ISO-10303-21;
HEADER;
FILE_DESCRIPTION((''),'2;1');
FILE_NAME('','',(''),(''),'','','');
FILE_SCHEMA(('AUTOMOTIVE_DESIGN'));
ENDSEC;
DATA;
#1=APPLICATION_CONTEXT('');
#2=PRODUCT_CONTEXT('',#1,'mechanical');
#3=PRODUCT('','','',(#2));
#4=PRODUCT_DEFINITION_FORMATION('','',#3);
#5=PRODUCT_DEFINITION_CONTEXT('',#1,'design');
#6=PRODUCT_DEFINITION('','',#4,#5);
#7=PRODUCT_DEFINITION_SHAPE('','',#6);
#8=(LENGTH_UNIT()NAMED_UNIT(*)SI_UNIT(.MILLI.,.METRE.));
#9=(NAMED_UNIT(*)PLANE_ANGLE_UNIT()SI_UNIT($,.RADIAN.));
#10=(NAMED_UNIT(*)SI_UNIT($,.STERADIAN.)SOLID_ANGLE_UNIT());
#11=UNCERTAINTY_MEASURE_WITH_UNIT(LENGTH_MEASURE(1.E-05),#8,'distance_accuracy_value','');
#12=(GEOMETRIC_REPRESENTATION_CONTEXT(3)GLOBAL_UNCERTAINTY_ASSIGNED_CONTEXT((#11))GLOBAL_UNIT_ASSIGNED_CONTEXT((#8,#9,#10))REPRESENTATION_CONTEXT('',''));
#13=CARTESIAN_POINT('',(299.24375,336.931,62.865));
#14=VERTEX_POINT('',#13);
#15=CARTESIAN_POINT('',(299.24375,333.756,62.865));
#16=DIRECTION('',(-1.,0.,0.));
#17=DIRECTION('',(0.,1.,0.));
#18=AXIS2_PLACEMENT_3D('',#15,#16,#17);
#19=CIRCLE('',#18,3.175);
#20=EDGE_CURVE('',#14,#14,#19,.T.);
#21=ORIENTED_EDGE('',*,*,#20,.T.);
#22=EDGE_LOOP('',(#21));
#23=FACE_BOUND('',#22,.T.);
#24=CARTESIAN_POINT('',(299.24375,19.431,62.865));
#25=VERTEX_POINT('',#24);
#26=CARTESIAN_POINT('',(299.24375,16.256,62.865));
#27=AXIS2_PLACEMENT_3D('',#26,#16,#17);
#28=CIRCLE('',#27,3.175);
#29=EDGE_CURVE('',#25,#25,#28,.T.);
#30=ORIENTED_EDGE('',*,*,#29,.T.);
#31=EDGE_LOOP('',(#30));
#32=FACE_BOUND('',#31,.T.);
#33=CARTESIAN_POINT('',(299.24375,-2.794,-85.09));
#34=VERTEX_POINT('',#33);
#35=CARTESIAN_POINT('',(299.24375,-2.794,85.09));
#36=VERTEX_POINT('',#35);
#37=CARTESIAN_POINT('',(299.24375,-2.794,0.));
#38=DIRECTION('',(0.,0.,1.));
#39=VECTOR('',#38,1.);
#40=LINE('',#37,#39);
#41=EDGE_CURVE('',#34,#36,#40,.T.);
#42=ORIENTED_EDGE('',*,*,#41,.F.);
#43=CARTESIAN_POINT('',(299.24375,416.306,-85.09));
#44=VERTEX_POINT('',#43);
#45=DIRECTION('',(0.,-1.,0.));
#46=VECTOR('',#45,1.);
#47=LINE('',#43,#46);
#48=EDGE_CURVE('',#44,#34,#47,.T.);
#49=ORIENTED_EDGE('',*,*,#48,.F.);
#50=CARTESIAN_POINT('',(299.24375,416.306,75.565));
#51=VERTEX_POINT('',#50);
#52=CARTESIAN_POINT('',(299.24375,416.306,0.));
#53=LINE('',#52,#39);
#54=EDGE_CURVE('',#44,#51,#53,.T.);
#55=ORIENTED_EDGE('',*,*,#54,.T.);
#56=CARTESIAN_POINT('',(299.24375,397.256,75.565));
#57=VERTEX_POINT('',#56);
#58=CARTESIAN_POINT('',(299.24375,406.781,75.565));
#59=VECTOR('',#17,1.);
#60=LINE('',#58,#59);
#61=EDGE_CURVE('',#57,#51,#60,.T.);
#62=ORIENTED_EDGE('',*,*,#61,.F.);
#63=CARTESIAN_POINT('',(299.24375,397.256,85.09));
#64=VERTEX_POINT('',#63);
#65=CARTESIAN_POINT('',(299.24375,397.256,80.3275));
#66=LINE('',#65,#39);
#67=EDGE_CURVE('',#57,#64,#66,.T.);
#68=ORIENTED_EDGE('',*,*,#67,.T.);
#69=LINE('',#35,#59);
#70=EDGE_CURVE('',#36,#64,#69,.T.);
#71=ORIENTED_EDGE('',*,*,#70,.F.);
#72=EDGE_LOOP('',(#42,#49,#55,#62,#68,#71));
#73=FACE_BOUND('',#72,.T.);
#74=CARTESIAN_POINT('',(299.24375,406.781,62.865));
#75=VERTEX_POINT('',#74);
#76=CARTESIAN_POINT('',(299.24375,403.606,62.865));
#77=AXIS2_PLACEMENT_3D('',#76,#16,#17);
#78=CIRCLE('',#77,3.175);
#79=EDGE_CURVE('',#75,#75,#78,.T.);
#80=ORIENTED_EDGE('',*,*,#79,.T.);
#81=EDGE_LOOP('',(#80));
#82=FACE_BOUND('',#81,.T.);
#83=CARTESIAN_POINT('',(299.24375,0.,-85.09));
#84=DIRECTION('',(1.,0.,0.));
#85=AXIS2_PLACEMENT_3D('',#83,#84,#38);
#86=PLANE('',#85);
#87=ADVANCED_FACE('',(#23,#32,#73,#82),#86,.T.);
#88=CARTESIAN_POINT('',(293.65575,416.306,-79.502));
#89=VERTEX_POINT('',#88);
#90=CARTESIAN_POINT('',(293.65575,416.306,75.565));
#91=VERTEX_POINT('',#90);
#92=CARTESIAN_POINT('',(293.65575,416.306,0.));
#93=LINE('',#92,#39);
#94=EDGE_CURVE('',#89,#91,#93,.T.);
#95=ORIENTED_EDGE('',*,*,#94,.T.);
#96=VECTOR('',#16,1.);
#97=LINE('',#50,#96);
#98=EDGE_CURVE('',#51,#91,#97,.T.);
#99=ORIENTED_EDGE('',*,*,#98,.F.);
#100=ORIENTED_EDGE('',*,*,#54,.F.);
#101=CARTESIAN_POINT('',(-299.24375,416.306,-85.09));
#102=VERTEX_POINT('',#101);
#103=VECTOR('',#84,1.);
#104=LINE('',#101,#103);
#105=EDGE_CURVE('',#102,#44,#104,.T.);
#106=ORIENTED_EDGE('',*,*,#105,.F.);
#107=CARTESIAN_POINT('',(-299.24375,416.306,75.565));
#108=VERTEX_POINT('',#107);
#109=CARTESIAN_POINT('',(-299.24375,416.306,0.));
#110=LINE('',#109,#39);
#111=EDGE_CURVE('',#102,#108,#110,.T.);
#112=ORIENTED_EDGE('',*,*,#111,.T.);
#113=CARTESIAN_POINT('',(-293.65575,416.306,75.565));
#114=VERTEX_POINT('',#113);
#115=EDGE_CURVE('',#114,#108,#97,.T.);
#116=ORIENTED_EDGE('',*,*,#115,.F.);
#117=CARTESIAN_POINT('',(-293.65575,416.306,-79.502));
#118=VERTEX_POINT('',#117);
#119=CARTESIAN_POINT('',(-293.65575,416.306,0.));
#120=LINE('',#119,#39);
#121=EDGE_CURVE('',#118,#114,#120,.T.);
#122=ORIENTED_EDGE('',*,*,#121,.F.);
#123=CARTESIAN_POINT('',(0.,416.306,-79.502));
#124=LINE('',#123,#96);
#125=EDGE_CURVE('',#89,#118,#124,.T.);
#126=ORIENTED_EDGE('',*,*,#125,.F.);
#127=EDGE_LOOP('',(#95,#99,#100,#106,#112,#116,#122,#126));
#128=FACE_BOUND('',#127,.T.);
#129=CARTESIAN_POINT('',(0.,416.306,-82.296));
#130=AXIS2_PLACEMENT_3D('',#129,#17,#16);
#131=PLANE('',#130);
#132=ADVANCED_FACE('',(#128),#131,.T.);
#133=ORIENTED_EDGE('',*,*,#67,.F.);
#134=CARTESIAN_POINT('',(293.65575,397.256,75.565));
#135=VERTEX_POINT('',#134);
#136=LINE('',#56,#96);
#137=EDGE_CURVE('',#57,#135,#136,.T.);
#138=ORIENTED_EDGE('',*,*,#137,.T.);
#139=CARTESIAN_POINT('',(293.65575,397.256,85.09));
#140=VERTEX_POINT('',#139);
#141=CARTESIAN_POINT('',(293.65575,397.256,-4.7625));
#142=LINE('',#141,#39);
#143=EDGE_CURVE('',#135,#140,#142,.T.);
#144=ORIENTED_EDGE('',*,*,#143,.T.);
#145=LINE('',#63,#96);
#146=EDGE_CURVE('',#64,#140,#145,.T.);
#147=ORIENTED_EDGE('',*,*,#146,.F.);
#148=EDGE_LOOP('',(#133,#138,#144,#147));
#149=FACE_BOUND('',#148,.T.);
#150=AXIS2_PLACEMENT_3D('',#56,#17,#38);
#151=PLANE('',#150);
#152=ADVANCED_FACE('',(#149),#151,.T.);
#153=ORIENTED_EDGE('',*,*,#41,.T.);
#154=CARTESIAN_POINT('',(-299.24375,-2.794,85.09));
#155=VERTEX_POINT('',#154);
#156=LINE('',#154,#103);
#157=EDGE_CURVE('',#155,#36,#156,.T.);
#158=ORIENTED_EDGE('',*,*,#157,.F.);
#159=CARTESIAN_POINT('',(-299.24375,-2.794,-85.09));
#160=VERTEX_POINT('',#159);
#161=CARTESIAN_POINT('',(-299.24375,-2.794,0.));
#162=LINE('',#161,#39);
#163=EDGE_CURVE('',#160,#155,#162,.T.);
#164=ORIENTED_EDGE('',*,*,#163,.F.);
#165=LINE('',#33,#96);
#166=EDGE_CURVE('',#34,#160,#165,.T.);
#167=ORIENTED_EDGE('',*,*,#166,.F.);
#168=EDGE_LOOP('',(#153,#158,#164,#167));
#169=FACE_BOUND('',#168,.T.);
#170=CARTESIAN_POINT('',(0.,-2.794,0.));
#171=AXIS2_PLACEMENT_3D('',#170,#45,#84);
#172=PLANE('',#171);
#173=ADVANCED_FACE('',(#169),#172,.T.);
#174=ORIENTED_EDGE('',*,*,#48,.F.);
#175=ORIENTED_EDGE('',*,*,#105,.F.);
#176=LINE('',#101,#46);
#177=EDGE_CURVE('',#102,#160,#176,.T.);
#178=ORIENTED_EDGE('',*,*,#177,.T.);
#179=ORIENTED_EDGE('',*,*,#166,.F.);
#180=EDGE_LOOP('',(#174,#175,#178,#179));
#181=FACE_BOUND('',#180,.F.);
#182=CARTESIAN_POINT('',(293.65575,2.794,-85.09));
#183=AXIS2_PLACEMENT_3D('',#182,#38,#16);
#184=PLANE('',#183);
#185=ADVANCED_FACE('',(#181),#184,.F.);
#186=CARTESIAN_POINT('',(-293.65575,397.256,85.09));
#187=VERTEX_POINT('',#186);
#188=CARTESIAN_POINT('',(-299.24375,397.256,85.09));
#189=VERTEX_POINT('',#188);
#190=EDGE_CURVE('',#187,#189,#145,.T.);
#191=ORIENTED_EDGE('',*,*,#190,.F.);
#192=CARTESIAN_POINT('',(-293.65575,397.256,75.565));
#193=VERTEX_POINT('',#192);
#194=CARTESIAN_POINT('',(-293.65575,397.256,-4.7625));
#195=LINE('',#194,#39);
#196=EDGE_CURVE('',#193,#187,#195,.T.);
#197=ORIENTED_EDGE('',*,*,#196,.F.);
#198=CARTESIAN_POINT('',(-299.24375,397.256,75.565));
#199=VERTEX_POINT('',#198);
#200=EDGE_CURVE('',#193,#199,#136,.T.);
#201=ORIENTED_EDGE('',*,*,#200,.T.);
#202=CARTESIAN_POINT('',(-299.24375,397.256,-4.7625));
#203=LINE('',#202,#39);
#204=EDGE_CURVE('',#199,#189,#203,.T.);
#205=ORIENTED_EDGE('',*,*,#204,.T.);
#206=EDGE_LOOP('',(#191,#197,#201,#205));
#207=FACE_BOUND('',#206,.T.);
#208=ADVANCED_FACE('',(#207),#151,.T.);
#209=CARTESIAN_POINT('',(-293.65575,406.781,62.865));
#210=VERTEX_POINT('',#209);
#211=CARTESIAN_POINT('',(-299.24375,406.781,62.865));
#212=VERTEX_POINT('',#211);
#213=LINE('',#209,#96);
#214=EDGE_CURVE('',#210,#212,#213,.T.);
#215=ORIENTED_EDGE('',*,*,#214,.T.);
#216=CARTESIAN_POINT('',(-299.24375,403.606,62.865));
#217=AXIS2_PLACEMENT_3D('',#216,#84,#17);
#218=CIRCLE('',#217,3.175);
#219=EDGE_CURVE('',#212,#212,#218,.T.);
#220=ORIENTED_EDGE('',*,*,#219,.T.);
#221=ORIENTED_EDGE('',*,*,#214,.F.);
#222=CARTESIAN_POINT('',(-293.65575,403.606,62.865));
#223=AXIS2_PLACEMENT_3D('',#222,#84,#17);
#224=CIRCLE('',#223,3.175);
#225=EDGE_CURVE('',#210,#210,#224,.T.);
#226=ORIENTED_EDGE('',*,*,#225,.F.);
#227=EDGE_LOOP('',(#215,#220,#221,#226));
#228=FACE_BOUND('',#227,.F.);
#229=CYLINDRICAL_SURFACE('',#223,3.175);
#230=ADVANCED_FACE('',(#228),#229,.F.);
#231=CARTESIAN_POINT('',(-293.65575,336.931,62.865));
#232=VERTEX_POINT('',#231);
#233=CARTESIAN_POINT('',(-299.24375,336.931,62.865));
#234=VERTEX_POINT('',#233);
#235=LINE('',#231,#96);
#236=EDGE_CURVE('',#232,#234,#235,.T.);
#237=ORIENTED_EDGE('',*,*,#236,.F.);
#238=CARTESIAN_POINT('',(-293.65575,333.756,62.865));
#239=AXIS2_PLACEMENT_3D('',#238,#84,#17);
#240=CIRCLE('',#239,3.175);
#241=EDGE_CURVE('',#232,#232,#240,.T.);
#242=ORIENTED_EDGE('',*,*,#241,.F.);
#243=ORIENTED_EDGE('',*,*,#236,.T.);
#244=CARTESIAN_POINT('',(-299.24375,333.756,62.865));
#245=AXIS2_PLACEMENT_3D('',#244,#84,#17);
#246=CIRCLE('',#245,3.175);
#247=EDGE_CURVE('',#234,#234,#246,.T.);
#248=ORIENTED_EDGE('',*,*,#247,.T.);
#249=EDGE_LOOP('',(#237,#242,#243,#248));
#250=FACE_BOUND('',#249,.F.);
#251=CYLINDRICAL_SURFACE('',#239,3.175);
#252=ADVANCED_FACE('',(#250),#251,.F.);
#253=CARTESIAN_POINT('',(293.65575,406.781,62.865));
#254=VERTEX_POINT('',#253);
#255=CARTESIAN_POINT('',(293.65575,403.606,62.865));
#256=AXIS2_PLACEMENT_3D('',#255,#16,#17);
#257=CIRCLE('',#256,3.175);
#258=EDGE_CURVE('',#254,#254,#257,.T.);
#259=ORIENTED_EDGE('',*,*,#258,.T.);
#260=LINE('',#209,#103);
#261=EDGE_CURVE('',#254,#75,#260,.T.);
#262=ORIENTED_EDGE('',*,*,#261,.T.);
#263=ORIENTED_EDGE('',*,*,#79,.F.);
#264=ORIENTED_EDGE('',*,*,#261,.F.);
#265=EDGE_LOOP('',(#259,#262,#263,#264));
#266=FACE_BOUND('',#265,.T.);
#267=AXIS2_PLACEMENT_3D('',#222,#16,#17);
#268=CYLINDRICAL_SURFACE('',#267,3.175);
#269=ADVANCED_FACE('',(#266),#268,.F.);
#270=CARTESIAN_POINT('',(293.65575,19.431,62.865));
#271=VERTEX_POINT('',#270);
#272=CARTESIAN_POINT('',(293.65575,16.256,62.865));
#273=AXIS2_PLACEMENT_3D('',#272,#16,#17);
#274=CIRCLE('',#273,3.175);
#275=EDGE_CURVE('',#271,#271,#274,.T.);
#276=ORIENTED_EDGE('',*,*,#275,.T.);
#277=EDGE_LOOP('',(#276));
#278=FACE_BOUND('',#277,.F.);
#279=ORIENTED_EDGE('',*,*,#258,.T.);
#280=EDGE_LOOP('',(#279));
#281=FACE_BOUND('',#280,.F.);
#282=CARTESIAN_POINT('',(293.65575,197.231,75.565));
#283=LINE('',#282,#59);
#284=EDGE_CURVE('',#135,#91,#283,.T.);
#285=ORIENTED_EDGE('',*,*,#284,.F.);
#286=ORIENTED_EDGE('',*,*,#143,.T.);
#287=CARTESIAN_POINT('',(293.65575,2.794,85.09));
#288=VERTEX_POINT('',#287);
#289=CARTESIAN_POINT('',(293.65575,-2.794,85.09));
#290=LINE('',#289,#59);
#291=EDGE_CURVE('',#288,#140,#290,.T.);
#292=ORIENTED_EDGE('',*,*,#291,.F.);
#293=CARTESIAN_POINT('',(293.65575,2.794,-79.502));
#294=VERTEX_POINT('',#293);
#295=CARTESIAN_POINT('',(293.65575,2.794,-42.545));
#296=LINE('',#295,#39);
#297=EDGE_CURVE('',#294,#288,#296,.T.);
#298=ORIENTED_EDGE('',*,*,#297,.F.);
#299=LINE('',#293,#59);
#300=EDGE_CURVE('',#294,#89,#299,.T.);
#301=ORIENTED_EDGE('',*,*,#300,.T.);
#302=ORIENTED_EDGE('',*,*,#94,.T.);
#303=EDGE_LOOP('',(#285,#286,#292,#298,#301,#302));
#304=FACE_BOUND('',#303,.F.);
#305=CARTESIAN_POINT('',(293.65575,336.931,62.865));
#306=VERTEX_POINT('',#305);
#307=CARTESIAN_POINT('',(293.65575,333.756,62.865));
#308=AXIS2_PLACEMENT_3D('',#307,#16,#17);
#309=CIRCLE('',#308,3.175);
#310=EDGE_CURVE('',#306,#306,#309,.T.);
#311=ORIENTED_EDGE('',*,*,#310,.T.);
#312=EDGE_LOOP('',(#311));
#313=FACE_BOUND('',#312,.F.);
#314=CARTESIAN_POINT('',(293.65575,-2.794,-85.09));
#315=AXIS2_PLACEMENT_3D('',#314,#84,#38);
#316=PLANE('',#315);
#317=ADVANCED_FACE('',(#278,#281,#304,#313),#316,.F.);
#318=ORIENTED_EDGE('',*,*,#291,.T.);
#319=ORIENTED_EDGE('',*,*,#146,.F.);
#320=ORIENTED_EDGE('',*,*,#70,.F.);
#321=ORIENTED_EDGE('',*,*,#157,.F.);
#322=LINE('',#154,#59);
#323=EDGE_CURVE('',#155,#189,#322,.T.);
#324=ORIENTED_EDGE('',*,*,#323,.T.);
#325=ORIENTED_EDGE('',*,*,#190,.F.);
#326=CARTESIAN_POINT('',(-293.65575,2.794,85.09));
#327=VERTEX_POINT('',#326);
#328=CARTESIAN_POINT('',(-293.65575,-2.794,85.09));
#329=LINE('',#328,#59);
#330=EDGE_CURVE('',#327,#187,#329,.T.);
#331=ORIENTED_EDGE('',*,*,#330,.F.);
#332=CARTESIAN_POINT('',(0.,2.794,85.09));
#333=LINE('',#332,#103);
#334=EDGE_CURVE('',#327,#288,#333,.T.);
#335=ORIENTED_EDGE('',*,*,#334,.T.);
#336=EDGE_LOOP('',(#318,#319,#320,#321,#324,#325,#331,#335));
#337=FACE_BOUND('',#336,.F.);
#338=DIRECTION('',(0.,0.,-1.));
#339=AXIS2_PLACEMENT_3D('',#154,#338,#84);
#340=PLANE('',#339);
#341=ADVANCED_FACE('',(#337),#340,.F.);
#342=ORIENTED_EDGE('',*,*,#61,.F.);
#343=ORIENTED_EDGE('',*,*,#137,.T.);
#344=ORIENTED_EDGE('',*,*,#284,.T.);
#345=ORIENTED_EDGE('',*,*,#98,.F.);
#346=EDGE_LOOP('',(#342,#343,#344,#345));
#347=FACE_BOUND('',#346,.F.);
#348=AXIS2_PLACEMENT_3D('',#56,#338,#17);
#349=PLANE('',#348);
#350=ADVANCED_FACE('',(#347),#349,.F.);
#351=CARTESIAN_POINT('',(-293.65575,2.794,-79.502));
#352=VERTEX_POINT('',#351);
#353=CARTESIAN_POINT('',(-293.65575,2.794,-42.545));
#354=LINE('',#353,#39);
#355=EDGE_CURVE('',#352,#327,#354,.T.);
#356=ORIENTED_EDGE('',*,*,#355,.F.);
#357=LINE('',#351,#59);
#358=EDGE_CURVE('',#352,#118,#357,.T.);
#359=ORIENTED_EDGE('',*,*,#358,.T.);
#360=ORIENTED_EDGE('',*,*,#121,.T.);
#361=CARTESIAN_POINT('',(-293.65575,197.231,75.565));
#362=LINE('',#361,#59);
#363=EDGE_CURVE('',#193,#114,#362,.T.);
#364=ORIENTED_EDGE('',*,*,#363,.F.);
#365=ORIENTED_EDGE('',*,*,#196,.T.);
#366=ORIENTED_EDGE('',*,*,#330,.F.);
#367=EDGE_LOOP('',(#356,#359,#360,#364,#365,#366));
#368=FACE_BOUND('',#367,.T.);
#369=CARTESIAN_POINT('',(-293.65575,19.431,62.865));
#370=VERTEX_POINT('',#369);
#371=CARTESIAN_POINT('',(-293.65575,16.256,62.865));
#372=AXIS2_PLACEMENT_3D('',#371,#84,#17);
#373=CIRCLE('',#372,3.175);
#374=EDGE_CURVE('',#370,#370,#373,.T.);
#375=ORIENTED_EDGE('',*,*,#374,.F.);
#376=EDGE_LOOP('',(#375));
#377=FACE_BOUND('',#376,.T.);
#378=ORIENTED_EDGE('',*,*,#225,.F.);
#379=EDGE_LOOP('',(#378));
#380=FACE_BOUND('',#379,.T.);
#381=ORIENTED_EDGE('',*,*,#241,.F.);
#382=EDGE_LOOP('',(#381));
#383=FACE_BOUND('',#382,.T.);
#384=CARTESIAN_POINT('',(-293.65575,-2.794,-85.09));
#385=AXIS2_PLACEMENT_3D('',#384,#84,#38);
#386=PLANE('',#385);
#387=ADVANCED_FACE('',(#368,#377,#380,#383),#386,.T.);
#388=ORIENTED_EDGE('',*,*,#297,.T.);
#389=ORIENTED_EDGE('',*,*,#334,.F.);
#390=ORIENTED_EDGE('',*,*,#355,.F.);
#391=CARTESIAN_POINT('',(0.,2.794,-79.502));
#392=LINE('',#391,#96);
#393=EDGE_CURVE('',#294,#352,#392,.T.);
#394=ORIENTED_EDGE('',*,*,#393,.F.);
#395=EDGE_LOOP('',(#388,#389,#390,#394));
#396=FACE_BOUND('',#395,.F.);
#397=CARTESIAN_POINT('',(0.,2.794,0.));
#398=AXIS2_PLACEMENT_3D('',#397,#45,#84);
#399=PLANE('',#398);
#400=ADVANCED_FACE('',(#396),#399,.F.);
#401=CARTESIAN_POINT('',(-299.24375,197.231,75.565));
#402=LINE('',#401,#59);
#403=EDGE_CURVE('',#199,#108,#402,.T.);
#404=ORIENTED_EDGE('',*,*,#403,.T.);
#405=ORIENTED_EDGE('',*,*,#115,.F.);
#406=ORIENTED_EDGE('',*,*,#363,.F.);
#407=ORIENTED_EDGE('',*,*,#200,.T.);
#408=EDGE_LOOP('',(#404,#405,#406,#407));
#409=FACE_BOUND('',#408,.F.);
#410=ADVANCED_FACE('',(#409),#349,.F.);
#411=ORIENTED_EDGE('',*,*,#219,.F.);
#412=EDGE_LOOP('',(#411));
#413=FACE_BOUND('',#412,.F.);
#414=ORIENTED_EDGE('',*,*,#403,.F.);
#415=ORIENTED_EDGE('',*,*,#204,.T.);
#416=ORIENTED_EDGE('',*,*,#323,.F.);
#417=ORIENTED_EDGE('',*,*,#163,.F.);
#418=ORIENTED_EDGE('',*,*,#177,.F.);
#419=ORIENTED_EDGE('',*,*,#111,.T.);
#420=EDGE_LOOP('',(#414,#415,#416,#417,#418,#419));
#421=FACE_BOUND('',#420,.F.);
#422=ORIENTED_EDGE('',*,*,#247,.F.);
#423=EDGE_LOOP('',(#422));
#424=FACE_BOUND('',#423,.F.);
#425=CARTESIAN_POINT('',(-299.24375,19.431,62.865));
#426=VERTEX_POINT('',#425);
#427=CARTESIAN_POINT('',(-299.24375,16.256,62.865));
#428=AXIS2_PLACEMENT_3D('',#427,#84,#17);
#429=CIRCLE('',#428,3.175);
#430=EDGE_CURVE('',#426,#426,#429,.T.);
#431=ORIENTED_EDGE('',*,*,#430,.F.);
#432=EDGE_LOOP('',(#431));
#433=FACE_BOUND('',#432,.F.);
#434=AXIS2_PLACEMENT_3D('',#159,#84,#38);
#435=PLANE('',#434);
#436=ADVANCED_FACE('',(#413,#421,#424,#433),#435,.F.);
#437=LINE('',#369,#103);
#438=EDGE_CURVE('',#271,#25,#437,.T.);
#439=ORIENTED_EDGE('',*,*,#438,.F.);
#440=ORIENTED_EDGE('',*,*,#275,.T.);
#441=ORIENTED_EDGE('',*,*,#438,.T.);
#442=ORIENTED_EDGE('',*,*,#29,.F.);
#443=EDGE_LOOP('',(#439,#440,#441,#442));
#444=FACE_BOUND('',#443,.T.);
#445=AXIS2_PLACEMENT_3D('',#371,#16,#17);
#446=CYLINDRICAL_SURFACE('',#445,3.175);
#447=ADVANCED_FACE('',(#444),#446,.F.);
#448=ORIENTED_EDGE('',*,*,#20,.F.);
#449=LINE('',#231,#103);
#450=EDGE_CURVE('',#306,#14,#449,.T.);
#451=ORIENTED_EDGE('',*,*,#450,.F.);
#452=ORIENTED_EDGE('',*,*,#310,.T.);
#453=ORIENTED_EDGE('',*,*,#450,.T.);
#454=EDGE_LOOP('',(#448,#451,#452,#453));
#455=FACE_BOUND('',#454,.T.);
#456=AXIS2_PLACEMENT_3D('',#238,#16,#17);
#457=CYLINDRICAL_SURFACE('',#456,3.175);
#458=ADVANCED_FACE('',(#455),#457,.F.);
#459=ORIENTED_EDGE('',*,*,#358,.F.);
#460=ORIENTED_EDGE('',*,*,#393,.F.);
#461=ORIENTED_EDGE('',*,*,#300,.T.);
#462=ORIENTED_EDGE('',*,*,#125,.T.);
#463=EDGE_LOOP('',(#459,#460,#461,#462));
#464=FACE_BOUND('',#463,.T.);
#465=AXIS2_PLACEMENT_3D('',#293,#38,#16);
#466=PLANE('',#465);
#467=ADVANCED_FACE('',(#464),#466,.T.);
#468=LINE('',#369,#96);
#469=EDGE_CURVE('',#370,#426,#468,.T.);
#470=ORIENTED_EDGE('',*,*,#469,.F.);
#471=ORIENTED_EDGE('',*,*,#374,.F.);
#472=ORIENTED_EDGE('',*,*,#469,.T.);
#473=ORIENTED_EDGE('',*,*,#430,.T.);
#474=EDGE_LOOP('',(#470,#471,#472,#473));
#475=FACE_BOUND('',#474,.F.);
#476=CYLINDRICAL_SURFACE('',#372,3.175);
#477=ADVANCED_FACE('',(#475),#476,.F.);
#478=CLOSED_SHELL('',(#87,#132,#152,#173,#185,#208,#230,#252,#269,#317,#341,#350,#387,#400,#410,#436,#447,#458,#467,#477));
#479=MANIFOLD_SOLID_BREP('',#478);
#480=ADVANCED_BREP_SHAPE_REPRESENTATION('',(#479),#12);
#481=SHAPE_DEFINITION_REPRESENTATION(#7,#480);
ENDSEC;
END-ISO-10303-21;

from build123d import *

# Parameters (mm, degrees)
F0_W          = 598.4875
F0_H          = 170.18
F1_DEPTH      = 2.794
F2_W          = 5.588
F2_H          = 170.18
F3_DEPTH      = 419.1
F4_W          = 587.3115
F4_H          = 5.588
F5_DEPTH      = 413.512
F6_W          = 19.05
F6_H          = 9.525
F7_DEPTH      = 598.4885
F8_R          = 3.175
F9_DEPTH      = 5.589
F9_DEPTH_BACK = 592.9005


with BuildPart() as f1:
    # F0 (on Front) → F1 (new body, symmetric)
    with BuildSketch(Plane.XZ):
        Rectangle(F0_W, F0_H)
    extrude(amount=F1_DEPTH, both=True)

    # F2 (on face) → F3 (join)
    with BuildSketch(Plane.XZ.offset(2.794)):
        with Locations((-296.44975, 0)):
            Rectangle(F2_W, F2_H)
        with Locations((296.44975, 0)):
            Rectangle(F2_W, F2_H)
    extrude(amount=-F3_DEPTH)

    # F4 (on face) → F5 (join, through all)
    with BuildSketch(Plane(origin=(0, 2.794, 0), x_dir=(-1, 0, 0), z_dir=(0, 1, 0))):
        with Locations((0, -82.296)):
            Rectangle(F4_W, F4_H)
    extrude(amount=F5_DEPTH)

    # F6 (on face) → F7 (cut, through all)
    with BuildSketch(Plane.YZ.offset(299.24375)):
        with Locations((406.781, 80.3275)):
            Rectangle(F6_W, F6_H)
    extrude(amount=-F7_DEPTH, mode=Mode.SUBTRACT)

    # F8 (on face) → F9 (cut, two sides)
    with BuildSketch(Plane.YZ.offset(-293.65575)) as f9_sk:
        with Locations((403.606, 62.865)):
            Circle(F8_R)
        with Locations((333.756, 62.865)):
            Circle(F8_R)
        with Locations((16.256, 62.865)):
            Circle(F8_R)
    extrude(amount=-F9_DEPTH, mode=Mode.SUBTRACT)
    extrude(f9_sk.sketch, amount=F9_DEPTH_BACK, mode=Mode.SUBTRACT)


solid = f1.part
